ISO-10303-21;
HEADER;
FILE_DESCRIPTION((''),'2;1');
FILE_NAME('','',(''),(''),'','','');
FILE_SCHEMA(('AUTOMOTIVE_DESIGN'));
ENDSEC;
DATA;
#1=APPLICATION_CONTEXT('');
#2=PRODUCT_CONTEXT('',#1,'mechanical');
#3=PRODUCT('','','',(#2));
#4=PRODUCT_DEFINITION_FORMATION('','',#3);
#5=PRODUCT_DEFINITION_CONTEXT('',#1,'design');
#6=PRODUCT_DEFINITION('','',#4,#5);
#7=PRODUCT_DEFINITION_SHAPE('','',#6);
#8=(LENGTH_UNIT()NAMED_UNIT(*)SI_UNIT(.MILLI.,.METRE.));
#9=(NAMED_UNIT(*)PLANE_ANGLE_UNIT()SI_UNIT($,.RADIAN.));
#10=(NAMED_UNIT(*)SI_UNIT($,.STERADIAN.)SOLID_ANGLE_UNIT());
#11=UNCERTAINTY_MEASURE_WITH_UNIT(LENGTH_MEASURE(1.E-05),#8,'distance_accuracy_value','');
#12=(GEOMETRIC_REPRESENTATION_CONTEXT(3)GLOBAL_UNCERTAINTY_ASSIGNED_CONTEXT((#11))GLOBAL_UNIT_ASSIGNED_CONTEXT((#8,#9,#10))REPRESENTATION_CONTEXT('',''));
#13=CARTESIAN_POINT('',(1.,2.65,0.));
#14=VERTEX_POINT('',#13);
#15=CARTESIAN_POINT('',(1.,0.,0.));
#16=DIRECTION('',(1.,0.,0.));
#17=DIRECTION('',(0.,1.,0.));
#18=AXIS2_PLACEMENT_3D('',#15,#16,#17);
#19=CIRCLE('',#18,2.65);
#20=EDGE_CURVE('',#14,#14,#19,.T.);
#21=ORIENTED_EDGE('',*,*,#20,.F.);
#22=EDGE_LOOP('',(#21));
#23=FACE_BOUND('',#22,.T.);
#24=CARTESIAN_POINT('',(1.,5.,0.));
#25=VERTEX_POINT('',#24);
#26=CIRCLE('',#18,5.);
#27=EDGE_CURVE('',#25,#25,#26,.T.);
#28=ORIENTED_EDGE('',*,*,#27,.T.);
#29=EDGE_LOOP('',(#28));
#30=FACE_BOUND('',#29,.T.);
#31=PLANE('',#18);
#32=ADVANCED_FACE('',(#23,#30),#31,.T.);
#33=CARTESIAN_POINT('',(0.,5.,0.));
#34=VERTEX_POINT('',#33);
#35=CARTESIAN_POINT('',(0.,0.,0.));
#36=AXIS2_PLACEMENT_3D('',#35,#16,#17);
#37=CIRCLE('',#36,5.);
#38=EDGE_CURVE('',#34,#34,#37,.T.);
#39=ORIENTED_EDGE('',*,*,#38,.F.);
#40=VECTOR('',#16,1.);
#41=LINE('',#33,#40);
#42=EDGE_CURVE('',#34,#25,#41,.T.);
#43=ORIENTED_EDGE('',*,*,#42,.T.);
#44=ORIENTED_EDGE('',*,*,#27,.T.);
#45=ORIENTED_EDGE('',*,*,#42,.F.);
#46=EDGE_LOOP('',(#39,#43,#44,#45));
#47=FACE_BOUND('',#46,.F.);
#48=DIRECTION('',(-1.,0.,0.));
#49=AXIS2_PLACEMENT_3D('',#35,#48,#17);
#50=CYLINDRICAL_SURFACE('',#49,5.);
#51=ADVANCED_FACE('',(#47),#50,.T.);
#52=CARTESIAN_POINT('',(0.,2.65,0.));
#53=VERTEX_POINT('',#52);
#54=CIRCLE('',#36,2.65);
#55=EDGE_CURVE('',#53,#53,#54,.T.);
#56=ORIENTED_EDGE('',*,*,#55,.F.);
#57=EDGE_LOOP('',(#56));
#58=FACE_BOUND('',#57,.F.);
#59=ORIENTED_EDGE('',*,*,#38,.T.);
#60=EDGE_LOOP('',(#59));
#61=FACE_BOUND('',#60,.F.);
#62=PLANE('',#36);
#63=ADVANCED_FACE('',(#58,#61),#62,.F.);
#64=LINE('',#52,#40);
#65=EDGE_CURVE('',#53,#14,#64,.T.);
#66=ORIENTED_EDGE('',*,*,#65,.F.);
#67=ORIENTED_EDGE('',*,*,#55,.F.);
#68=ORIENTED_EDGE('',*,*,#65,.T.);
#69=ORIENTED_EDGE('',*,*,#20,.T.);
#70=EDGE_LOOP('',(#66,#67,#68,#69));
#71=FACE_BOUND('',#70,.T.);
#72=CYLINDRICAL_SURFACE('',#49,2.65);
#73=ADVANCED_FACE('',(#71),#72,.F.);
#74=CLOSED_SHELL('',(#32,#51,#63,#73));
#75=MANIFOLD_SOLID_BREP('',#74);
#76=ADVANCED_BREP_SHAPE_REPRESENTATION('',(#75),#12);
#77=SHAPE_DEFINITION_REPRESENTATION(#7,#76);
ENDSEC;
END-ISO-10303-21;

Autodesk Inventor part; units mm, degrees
ref_plane "YZ Plane" through (0, 0, 0) normal (1, 0, 0) x (0, 1, 0)
ref_plane "XZ Plane" through (0, 0, 0) normal (0, 1, 0) x (-1, 0, 0)
sketch "Sketch" plane through (0, 0, 0) normal (1, 0, 0) x (0, 1, 0)
  circle A0 centre (0, 0) radius 5
  circle A1 centre (0, 0) radius 2.65
  dimension "d0" = 5.3
  dimension "d1" = 10
extrude "Body" add sketch "Sketch" along normal blind 1
ref_plane "Work Plane1" through (0, 0, 0) normal (0, 0, 1) x (1, 0, 0)
equation "\"d0\" = SD1"
equation "\"d1\" = SD2"
equation "\"d2\" = SD"
equation "\"SD1\" = 5.3"
equation "\"SD2\" = 10"
equation "\"SD\" = 1"
equation "\"NND\" = 5"
properties part number "DIN 125 - A 5.3" material "Steel, Mild"
